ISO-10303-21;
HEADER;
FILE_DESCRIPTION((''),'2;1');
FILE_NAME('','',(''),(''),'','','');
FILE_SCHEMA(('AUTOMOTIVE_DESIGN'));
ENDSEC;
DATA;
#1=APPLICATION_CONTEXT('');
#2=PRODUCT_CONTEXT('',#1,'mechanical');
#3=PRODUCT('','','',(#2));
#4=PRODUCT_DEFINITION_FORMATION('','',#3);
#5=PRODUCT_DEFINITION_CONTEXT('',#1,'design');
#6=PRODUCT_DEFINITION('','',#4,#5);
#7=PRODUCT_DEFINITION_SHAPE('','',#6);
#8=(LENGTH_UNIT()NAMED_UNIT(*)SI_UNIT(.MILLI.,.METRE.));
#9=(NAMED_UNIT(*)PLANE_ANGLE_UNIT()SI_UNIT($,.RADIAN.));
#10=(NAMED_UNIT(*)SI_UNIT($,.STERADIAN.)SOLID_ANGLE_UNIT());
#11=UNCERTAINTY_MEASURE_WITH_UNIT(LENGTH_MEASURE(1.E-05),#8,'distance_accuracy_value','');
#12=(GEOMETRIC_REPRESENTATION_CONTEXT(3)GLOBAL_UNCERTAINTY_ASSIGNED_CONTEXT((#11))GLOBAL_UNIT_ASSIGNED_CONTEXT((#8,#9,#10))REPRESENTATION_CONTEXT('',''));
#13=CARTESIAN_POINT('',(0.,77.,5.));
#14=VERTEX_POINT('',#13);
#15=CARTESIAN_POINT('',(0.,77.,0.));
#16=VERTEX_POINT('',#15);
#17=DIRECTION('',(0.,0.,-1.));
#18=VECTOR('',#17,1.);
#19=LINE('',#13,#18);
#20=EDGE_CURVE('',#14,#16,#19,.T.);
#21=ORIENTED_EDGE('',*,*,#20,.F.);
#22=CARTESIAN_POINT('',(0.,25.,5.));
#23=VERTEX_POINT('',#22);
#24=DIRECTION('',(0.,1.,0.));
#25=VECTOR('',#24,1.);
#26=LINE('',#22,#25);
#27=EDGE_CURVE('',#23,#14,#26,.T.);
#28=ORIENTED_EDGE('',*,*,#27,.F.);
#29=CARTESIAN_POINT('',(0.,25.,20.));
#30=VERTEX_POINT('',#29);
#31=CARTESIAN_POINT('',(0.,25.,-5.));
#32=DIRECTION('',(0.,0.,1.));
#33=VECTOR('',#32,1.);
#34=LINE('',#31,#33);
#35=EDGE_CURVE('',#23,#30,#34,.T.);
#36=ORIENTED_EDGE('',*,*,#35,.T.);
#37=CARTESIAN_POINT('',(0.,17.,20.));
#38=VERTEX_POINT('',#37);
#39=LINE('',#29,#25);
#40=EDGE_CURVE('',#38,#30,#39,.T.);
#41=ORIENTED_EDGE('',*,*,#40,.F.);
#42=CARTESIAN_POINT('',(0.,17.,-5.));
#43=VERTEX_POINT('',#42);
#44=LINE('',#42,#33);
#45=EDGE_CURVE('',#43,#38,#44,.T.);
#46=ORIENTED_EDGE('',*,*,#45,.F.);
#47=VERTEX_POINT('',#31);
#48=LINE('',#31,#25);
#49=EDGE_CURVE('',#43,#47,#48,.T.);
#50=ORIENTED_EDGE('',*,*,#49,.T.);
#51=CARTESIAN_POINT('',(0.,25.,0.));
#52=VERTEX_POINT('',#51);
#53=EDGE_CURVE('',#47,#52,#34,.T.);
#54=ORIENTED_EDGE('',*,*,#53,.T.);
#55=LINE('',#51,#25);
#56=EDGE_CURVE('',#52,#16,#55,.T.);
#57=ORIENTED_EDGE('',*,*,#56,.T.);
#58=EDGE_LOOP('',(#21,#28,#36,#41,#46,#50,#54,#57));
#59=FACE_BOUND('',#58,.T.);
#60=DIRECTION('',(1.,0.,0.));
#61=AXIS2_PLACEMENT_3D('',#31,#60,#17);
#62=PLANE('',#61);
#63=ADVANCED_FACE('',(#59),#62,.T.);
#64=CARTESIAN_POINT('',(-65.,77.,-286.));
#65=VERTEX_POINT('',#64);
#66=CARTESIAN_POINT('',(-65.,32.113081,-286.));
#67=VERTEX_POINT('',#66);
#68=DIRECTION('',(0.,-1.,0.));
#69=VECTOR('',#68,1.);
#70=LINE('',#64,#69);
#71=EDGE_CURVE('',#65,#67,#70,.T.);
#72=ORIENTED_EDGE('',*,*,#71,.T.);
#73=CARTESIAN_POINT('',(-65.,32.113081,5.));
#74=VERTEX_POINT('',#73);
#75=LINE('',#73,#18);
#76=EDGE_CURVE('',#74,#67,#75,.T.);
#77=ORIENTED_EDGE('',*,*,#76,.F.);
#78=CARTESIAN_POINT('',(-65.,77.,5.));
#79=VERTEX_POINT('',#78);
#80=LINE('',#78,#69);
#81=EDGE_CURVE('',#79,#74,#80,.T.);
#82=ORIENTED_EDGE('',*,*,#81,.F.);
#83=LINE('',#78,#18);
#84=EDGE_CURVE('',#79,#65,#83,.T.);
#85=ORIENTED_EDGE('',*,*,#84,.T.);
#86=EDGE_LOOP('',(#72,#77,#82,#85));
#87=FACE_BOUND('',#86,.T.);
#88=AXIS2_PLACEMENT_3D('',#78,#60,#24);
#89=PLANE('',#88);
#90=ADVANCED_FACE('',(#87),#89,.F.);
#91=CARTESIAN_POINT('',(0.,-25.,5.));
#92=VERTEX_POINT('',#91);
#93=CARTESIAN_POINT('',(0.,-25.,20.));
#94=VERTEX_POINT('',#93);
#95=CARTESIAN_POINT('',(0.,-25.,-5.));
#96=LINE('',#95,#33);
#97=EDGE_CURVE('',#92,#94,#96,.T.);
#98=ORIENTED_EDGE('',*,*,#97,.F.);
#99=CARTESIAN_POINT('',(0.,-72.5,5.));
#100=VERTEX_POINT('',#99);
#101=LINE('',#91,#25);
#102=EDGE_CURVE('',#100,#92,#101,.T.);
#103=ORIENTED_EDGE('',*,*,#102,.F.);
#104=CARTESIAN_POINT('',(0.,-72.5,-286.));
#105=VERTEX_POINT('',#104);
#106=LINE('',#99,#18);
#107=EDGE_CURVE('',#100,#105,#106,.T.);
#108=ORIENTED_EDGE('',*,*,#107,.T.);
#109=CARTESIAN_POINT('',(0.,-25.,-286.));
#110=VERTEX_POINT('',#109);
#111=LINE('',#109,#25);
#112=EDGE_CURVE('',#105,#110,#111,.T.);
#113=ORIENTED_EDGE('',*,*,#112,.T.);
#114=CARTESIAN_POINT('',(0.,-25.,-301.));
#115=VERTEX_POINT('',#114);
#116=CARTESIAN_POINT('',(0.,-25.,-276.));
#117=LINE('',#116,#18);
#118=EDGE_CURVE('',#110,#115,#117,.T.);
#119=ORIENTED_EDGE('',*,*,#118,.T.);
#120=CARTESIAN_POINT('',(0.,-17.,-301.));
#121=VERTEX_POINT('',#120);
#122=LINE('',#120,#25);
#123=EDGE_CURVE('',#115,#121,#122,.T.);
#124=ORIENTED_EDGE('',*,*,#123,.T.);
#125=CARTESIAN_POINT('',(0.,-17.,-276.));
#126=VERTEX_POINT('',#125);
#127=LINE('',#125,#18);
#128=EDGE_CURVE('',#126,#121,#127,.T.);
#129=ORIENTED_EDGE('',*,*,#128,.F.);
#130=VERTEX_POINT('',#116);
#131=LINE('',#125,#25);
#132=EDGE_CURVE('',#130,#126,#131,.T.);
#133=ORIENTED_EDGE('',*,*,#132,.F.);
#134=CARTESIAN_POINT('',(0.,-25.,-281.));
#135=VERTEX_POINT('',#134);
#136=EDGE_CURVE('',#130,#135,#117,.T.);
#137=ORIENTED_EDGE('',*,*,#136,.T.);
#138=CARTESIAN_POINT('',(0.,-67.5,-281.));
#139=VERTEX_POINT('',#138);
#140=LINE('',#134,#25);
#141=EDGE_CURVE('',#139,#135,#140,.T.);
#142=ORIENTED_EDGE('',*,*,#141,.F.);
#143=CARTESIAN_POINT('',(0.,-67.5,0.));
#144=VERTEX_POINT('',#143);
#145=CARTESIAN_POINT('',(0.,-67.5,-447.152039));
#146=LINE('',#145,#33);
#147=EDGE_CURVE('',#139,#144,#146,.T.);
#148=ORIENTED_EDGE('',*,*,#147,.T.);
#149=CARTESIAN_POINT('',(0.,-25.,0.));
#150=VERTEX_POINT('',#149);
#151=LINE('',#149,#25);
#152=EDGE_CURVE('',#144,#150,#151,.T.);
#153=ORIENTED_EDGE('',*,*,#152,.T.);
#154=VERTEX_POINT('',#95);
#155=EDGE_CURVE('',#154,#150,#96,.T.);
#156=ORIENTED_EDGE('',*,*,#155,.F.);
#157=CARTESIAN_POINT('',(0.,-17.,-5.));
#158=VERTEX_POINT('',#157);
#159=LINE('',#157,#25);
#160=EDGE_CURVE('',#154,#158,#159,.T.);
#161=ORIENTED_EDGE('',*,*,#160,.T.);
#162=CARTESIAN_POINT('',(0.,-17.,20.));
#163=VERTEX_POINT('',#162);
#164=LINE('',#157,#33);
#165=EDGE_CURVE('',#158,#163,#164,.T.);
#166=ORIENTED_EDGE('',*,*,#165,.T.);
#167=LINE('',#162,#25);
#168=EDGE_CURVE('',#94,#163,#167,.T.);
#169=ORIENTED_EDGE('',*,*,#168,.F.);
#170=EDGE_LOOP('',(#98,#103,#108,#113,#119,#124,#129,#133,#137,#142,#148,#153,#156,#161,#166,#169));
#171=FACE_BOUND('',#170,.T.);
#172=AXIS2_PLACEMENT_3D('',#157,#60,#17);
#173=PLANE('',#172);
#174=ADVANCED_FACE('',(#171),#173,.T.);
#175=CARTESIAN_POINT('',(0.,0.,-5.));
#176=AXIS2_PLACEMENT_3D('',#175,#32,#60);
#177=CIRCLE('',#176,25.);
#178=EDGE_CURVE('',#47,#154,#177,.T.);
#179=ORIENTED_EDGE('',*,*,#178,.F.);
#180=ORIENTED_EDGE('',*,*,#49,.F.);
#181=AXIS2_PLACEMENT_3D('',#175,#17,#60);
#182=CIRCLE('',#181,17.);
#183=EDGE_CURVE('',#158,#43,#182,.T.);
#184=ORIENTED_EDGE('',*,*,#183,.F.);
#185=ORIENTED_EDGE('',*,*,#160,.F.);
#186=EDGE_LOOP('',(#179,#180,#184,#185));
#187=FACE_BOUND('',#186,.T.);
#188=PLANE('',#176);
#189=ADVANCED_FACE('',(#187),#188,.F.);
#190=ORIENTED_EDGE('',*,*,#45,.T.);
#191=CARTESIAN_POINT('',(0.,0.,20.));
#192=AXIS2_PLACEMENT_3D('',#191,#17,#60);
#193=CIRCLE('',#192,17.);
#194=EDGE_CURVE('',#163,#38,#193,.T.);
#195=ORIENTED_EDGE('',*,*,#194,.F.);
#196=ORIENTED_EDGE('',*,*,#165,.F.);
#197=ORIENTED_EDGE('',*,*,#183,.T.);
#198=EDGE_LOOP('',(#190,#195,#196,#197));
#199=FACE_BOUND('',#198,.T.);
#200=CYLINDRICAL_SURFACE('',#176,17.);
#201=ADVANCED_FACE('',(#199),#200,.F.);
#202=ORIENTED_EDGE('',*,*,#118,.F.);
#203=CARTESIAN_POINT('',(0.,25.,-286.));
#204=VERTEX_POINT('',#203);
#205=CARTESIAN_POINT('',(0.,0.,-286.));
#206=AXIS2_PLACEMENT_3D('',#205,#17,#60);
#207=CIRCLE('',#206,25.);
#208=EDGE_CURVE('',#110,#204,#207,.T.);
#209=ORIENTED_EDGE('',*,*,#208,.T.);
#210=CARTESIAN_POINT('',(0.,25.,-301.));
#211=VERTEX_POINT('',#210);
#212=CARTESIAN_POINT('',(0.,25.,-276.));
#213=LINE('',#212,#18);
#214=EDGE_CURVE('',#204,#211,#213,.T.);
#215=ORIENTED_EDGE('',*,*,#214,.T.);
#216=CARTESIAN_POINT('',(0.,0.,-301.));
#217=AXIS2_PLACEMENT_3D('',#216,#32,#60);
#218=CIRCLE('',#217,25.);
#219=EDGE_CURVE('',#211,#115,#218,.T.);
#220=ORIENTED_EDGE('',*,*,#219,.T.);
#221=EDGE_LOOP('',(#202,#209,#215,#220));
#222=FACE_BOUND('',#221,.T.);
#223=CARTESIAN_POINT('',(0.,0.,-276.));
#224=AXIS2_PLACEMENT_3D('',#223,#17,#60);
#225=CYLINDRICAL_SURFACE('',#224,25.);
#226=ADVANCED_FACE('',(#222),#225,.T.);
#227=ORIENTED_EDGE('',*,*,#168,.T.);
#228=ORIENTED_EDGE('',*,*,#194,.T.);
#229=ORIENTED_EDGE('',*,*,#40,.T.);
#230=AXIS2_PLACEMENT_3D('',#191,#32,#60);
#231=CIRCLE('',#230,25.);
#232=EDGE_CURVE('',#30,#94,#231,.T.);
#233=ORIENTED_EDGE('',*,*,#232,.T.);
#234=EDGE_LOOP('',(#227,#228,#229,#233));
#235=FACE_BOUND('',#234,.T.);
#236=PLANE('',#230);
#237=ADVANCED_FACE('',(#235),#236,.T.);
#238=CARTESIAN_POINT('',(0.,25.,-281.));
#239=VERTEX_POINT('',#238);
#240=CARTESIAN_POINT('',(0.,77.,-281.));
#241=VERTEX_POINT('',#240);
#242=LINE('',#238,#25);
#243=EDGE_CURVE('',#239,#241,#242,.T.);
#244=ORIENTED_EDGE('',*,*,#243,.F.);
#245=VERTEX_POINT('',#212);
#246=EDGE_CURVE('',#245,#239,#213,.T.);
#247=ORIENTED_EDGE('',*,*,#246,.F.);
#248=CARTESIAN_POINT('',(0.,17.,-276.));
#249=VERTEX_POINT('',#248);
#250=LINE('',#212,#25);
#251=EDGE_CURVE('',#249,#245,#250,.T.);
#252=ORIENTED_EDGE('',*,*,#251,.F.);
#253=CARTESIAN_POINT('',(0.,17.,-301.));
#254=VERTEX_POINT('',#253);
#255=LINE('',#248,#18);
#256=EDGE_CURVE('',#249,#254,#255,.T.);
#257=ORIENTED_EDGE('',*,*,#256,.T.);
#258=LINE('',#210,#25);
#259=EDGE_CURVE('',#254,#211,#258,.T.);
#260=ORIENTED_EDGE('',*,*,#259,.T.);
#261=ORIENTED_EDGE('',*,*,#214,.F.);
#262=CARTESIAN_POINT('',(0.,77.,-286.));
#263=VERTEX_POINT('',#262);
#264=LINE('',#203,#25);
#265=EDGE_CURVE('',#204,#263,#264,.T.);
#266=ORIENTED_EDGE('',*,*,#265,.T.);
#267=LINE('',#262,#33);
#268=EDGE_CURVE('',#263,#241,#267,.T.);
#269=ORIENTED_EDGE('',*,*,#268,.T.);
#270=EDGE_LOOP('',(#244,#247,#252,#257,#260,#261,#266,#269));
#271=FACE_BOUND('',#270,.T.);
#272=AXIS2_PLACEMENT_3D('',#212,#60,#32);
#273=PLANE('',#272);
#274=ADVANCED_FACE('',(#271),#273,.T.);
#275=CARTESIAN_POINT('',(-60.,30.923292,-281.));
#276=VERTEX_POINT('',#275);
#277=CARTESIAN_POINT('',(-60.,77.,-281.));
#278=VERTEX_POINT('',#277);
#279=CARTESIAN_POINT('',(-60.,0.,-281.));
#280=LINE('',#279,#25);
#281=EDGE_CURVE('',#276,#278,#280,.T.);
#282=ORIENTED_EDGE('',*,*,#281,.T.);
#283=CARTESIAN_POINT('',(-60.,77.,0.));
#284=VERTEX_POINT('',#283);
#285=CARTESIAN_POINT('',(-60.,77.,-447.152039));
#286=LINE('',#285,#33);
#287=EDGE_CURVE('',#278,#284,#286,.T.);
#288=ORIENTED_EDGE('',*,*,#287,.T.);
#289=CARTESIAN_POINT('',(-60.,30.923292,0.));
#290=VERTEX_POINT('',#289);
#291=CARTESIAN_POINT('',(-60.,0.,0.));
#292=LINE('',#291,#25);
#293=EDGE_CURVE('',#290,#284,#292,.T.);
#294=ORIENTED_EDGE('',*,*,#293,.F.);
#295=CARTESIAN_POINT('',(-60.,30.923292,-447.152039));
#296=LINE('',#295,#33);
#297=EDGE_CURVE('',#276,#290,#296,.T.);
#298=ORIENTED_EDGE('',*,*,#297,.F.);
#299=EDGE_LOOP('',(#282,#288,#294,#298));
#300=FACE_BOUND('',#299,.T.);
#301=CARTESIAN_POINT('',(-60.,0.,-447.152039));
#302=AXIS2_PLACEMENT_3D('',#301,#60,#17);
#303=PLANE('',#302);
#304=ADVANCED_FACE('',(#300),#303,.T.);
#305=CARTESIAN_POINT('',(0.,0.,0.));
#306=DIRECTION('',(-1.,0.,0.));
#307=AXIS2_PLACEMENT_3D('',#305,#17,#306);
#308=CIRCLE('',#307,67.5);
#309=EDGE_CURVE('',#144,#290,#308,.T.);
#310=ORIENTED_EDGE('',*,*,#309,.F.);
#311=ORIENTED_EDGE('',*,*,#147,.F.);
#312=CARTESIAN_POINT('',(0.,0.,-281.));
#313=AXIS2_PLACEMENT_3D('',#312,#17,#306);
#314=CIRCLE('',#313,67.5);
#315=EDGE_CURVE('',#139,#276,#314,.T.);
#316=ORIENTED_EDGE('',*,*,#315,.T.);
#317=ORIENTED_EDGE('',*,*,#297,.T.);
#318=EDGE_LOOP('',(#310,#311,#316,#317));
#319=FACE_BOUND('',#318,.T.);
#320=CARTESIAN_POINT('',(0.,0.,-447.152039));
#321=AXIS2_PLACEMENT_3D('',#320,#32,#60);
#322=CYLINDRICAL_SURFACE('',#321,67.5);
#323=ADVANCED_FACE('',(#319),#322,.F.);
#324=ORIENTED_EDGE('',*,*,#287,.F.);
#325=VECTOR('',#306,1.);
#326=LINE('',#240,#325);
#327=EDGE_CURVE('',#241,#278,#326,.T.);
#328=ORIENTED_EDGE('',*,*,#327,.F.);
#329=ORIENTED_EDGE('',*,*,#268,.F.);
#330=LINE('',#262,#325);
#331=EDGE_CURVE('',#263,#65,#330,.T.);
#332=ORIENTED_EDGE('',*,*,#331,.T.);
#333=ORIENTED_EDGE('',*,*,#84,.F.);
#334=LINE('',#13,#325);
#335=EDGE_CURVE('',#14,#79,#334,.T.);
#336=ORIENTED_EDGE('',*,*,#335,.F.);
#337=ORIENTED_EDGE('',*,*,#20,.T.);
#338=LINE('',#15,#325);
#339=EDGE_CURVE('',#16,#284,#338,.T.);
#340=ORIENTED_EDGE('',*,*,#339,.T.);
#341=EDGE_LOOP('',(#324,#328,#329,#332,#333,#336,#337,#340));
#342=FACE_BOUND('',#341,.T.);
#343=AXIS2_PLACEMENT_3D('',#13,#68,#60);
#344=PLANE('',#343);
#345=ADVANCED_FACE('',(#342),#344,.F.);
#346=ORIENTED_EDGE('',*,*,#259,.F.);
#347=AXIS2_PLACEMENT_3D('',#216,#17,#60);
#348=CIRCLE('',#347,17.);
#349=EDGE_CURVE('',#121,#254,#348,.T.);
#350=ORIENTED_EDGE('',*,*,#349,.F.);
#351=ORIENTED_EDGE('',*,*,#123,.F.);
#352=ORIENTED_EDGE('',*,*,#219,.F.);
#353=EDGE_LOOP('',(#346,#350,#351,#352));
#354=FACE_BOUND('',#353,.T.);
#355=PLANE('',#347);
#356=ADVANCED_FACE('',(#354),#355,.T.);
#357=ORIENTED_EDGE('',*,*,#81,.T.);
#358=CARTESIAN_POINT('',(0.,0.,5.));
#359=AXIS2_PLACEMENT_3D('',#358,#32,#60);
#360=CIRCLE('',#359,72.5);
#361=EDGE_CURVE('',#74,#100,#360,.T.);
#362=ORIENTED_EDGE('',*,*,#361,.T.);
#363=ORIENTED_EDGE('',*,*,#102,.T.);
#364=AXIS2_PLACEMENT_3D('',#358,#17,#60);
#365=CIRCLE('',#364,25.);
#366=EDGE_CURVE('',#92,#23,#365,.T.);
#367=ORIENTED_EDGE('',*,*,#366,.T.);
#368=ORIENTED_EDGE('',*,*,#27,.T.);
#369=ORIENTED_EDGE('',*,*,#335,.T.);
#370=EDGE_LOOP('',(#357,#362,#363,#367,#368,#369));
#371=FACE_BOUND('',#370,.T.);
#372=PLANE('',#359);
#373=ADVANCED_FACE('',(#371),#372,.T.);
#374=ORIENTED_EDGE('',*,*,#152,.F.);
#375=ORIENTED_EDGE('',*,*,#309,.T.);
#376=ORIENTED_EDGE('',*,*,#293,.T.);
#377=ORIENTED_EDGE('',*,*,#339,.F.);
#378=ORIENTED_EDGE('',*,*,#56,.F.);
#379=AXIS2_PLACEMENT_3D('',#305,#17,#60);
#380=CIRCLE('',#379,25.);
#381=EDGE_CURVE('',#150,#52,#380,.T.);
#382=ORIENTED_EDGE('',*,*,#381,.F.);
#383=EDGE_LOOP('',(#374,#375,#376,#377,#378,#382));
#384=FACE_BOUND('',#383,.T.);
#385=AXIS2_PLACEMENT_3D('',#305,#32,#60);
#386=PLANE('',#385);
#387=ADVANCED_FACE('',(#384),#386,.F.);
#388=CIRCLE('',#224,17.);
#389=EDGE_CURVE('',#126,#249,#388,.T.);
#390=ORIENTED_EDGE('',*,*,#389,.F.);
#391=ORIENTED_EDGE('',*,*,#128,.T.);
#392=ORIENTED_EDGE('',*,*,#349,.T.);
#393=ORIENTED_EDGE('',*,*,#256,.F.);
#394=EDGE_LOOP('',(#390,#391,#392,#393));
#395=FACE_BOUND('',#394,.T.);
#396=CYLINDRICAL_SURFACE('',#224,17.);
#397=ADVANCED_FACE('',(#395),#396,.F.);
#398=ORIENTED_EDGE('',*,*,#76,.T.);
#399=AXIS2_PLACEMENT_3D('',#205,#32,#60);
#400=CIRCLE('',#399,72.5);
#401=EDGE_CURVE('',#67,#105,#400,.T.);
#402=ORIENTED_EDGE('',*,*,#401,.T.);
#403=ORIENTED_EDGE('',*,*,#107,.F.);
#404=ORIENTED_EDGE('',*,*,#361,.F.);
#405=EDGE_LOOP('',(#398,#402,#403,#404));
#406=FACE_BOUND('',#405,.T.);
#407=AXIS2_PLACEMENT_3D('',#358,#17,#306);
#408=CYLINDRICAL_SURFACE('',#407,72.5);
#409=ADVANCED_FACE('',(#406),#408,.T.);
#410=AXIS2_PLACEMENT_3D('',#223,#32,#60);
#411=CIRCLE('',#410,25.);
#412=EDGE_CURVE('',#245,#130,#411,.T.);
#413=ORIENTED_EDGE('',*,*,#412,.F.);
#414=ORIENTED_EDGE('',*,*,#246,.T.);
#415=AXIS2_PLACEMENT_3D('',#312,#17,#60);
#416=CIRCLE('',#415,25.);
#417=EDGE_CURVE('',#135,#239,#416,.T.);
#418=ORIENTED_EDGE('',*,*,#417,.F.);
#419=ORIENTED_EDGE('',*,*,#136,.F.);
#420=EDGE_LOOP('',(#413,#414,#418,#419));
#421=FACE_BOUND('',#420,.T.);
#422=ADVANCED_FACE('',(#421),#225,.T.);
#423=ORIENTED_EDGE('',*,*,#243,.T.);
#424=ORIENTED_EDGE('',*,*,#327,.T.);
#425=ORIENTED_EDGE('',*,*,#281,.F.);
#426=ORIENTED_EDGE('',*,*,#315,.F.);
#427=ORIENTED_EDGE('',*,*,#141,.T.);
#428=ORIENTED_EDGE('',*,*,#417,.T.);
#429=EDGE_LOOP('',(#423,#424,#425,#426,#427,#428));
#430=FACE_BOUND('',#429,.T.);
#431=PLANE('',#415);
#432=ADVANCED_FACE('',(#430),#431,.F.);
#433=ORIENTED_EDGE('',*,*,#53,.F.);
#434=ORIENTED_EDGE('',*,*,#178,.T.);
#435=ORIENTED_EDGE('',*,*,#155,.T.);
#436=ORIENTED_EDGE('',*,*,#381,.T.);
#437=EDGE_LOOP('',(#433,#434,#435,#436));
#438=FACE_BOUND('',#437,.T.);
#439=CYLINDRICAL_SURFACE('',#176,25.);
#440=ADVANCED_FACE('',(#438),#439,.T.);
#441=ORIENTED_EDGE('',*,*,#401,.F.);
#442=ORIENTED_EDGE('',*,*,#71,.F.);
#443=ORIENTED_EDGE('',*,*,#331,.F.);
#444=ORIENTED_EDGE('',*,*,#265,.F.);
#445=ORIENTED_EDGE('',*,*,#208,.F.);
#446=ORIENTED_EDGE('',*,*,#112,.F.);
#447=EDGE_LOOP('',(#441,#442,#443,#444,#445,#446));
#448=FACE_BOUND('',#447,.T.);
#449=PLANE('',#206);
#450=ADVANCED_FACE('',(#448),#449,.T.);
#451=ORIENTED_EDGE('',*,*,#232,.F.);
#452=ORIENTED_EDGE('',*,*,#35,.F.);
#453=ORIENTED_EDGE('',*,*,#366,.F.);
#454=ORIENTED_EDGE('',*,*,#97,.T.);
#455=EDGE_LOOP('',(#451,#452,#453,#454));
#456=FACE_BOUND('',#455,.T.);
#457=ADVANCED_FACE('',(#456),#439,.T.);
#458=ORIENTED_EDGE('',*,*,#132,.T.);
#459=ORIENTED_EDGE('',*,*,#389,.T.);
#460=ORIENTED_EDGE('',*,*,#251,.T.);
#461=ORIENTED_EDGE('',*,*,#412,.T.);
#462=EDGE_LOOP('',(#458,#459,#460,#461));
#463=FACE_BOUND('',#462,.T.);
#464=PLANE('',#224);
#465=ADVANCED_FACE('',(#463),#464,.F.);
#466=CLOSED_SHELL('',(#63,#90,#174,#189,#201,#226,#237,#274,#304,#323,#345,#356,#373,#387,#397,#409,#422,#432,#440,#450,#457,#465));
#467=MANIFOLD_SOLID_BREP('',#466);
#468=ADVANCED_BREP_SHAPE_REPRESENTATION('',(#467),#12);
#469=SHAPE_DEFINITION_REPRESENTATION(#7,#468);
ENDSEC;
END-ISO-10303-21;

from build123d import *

# Parameters (mm, degrees)
BOSS_EXTRUDE1_DEPTH      = 20
BOSS_EXTRUDE1_DEPTH_BACK = 5
BOSS_EXTRUDE2_DEPTH      = 5
BOSS_EXTRUDE4_DEPTH      = 281


with BuildPart() as part:
    # Sketch1 → Boss-Extrude1 (new body, two sides)
    with BuildSketch(Plane.XY) as boss_extrude1_sk:
        with BuildLine():
            Line((0, 25), (0, 17))
            ThreePointArc((0, 17), (-17, 0), (0, -17))
            Line((0, -17), (0, -25))
            ThreePointArc((0, -25), (-25, 0), (0, 25))
        make_face()
    extrude(amount=BOSS_EXTRUDE1_DEPTH)
    extrude(boss_extrude1_sk.sketch, amount=-BOSS_EXTRUDE1_DEPTH_BACK)

    # Sketch2 → Boss-Extrude2 (add)
    with BuildSketch(Plane.XY):
        with BuildLine():
            Line((0, 25), (0, 77))
            Line((0, 77), (-65, 77))
            Line((-65, 77), (-65, 32.113081447))
            ThreePointArc((-65, 32.113081447), (-61.581037686, -38.262590053), (0, -72.5))
            Line((0, -72.5), (0, -25))
            ThreePointArc((0, -25), (-25, 0), (0, 25))
        make_face()
    extrude(amount=BOSS_EXTRUDE2_DEPTH)


with BuildPart() as body_2:
    # Mirror2: mirrored copy
    add(part.part.mirror(Plane.XY.offset(-140.5)))


with BuildPart() as part_1:
    add(part.part)

    add(body_2.part)  # Boss-Extrude4 merges body 2
    # Sketch3 → Boss-Extrude4 (add)
    with BuildSketch(Plane(origin=(0, 0, 0), x_dir=(-1, 0, 0), z_dir=(0, 0, -1))):
        with BuildLine():
            Line((60, 77), (60, 30.923292192))
            ThreePointArc((60, 30.923292192), (57.634938288, -35.134938288), (0, -67.5))
            Line((0, -67.5), (0, -72.5))
            ThreePointArc((0, -72.5), (61.581037686, -38.262590053), (65, 32.113081447))
            Line((65, 32.113081447), (65, 77))
            Line((65, 77), (60, 77))
        make_face()
    extrude(amount=BOSS_EXTRUDE4_DEPTH)


solid = part_1.part
